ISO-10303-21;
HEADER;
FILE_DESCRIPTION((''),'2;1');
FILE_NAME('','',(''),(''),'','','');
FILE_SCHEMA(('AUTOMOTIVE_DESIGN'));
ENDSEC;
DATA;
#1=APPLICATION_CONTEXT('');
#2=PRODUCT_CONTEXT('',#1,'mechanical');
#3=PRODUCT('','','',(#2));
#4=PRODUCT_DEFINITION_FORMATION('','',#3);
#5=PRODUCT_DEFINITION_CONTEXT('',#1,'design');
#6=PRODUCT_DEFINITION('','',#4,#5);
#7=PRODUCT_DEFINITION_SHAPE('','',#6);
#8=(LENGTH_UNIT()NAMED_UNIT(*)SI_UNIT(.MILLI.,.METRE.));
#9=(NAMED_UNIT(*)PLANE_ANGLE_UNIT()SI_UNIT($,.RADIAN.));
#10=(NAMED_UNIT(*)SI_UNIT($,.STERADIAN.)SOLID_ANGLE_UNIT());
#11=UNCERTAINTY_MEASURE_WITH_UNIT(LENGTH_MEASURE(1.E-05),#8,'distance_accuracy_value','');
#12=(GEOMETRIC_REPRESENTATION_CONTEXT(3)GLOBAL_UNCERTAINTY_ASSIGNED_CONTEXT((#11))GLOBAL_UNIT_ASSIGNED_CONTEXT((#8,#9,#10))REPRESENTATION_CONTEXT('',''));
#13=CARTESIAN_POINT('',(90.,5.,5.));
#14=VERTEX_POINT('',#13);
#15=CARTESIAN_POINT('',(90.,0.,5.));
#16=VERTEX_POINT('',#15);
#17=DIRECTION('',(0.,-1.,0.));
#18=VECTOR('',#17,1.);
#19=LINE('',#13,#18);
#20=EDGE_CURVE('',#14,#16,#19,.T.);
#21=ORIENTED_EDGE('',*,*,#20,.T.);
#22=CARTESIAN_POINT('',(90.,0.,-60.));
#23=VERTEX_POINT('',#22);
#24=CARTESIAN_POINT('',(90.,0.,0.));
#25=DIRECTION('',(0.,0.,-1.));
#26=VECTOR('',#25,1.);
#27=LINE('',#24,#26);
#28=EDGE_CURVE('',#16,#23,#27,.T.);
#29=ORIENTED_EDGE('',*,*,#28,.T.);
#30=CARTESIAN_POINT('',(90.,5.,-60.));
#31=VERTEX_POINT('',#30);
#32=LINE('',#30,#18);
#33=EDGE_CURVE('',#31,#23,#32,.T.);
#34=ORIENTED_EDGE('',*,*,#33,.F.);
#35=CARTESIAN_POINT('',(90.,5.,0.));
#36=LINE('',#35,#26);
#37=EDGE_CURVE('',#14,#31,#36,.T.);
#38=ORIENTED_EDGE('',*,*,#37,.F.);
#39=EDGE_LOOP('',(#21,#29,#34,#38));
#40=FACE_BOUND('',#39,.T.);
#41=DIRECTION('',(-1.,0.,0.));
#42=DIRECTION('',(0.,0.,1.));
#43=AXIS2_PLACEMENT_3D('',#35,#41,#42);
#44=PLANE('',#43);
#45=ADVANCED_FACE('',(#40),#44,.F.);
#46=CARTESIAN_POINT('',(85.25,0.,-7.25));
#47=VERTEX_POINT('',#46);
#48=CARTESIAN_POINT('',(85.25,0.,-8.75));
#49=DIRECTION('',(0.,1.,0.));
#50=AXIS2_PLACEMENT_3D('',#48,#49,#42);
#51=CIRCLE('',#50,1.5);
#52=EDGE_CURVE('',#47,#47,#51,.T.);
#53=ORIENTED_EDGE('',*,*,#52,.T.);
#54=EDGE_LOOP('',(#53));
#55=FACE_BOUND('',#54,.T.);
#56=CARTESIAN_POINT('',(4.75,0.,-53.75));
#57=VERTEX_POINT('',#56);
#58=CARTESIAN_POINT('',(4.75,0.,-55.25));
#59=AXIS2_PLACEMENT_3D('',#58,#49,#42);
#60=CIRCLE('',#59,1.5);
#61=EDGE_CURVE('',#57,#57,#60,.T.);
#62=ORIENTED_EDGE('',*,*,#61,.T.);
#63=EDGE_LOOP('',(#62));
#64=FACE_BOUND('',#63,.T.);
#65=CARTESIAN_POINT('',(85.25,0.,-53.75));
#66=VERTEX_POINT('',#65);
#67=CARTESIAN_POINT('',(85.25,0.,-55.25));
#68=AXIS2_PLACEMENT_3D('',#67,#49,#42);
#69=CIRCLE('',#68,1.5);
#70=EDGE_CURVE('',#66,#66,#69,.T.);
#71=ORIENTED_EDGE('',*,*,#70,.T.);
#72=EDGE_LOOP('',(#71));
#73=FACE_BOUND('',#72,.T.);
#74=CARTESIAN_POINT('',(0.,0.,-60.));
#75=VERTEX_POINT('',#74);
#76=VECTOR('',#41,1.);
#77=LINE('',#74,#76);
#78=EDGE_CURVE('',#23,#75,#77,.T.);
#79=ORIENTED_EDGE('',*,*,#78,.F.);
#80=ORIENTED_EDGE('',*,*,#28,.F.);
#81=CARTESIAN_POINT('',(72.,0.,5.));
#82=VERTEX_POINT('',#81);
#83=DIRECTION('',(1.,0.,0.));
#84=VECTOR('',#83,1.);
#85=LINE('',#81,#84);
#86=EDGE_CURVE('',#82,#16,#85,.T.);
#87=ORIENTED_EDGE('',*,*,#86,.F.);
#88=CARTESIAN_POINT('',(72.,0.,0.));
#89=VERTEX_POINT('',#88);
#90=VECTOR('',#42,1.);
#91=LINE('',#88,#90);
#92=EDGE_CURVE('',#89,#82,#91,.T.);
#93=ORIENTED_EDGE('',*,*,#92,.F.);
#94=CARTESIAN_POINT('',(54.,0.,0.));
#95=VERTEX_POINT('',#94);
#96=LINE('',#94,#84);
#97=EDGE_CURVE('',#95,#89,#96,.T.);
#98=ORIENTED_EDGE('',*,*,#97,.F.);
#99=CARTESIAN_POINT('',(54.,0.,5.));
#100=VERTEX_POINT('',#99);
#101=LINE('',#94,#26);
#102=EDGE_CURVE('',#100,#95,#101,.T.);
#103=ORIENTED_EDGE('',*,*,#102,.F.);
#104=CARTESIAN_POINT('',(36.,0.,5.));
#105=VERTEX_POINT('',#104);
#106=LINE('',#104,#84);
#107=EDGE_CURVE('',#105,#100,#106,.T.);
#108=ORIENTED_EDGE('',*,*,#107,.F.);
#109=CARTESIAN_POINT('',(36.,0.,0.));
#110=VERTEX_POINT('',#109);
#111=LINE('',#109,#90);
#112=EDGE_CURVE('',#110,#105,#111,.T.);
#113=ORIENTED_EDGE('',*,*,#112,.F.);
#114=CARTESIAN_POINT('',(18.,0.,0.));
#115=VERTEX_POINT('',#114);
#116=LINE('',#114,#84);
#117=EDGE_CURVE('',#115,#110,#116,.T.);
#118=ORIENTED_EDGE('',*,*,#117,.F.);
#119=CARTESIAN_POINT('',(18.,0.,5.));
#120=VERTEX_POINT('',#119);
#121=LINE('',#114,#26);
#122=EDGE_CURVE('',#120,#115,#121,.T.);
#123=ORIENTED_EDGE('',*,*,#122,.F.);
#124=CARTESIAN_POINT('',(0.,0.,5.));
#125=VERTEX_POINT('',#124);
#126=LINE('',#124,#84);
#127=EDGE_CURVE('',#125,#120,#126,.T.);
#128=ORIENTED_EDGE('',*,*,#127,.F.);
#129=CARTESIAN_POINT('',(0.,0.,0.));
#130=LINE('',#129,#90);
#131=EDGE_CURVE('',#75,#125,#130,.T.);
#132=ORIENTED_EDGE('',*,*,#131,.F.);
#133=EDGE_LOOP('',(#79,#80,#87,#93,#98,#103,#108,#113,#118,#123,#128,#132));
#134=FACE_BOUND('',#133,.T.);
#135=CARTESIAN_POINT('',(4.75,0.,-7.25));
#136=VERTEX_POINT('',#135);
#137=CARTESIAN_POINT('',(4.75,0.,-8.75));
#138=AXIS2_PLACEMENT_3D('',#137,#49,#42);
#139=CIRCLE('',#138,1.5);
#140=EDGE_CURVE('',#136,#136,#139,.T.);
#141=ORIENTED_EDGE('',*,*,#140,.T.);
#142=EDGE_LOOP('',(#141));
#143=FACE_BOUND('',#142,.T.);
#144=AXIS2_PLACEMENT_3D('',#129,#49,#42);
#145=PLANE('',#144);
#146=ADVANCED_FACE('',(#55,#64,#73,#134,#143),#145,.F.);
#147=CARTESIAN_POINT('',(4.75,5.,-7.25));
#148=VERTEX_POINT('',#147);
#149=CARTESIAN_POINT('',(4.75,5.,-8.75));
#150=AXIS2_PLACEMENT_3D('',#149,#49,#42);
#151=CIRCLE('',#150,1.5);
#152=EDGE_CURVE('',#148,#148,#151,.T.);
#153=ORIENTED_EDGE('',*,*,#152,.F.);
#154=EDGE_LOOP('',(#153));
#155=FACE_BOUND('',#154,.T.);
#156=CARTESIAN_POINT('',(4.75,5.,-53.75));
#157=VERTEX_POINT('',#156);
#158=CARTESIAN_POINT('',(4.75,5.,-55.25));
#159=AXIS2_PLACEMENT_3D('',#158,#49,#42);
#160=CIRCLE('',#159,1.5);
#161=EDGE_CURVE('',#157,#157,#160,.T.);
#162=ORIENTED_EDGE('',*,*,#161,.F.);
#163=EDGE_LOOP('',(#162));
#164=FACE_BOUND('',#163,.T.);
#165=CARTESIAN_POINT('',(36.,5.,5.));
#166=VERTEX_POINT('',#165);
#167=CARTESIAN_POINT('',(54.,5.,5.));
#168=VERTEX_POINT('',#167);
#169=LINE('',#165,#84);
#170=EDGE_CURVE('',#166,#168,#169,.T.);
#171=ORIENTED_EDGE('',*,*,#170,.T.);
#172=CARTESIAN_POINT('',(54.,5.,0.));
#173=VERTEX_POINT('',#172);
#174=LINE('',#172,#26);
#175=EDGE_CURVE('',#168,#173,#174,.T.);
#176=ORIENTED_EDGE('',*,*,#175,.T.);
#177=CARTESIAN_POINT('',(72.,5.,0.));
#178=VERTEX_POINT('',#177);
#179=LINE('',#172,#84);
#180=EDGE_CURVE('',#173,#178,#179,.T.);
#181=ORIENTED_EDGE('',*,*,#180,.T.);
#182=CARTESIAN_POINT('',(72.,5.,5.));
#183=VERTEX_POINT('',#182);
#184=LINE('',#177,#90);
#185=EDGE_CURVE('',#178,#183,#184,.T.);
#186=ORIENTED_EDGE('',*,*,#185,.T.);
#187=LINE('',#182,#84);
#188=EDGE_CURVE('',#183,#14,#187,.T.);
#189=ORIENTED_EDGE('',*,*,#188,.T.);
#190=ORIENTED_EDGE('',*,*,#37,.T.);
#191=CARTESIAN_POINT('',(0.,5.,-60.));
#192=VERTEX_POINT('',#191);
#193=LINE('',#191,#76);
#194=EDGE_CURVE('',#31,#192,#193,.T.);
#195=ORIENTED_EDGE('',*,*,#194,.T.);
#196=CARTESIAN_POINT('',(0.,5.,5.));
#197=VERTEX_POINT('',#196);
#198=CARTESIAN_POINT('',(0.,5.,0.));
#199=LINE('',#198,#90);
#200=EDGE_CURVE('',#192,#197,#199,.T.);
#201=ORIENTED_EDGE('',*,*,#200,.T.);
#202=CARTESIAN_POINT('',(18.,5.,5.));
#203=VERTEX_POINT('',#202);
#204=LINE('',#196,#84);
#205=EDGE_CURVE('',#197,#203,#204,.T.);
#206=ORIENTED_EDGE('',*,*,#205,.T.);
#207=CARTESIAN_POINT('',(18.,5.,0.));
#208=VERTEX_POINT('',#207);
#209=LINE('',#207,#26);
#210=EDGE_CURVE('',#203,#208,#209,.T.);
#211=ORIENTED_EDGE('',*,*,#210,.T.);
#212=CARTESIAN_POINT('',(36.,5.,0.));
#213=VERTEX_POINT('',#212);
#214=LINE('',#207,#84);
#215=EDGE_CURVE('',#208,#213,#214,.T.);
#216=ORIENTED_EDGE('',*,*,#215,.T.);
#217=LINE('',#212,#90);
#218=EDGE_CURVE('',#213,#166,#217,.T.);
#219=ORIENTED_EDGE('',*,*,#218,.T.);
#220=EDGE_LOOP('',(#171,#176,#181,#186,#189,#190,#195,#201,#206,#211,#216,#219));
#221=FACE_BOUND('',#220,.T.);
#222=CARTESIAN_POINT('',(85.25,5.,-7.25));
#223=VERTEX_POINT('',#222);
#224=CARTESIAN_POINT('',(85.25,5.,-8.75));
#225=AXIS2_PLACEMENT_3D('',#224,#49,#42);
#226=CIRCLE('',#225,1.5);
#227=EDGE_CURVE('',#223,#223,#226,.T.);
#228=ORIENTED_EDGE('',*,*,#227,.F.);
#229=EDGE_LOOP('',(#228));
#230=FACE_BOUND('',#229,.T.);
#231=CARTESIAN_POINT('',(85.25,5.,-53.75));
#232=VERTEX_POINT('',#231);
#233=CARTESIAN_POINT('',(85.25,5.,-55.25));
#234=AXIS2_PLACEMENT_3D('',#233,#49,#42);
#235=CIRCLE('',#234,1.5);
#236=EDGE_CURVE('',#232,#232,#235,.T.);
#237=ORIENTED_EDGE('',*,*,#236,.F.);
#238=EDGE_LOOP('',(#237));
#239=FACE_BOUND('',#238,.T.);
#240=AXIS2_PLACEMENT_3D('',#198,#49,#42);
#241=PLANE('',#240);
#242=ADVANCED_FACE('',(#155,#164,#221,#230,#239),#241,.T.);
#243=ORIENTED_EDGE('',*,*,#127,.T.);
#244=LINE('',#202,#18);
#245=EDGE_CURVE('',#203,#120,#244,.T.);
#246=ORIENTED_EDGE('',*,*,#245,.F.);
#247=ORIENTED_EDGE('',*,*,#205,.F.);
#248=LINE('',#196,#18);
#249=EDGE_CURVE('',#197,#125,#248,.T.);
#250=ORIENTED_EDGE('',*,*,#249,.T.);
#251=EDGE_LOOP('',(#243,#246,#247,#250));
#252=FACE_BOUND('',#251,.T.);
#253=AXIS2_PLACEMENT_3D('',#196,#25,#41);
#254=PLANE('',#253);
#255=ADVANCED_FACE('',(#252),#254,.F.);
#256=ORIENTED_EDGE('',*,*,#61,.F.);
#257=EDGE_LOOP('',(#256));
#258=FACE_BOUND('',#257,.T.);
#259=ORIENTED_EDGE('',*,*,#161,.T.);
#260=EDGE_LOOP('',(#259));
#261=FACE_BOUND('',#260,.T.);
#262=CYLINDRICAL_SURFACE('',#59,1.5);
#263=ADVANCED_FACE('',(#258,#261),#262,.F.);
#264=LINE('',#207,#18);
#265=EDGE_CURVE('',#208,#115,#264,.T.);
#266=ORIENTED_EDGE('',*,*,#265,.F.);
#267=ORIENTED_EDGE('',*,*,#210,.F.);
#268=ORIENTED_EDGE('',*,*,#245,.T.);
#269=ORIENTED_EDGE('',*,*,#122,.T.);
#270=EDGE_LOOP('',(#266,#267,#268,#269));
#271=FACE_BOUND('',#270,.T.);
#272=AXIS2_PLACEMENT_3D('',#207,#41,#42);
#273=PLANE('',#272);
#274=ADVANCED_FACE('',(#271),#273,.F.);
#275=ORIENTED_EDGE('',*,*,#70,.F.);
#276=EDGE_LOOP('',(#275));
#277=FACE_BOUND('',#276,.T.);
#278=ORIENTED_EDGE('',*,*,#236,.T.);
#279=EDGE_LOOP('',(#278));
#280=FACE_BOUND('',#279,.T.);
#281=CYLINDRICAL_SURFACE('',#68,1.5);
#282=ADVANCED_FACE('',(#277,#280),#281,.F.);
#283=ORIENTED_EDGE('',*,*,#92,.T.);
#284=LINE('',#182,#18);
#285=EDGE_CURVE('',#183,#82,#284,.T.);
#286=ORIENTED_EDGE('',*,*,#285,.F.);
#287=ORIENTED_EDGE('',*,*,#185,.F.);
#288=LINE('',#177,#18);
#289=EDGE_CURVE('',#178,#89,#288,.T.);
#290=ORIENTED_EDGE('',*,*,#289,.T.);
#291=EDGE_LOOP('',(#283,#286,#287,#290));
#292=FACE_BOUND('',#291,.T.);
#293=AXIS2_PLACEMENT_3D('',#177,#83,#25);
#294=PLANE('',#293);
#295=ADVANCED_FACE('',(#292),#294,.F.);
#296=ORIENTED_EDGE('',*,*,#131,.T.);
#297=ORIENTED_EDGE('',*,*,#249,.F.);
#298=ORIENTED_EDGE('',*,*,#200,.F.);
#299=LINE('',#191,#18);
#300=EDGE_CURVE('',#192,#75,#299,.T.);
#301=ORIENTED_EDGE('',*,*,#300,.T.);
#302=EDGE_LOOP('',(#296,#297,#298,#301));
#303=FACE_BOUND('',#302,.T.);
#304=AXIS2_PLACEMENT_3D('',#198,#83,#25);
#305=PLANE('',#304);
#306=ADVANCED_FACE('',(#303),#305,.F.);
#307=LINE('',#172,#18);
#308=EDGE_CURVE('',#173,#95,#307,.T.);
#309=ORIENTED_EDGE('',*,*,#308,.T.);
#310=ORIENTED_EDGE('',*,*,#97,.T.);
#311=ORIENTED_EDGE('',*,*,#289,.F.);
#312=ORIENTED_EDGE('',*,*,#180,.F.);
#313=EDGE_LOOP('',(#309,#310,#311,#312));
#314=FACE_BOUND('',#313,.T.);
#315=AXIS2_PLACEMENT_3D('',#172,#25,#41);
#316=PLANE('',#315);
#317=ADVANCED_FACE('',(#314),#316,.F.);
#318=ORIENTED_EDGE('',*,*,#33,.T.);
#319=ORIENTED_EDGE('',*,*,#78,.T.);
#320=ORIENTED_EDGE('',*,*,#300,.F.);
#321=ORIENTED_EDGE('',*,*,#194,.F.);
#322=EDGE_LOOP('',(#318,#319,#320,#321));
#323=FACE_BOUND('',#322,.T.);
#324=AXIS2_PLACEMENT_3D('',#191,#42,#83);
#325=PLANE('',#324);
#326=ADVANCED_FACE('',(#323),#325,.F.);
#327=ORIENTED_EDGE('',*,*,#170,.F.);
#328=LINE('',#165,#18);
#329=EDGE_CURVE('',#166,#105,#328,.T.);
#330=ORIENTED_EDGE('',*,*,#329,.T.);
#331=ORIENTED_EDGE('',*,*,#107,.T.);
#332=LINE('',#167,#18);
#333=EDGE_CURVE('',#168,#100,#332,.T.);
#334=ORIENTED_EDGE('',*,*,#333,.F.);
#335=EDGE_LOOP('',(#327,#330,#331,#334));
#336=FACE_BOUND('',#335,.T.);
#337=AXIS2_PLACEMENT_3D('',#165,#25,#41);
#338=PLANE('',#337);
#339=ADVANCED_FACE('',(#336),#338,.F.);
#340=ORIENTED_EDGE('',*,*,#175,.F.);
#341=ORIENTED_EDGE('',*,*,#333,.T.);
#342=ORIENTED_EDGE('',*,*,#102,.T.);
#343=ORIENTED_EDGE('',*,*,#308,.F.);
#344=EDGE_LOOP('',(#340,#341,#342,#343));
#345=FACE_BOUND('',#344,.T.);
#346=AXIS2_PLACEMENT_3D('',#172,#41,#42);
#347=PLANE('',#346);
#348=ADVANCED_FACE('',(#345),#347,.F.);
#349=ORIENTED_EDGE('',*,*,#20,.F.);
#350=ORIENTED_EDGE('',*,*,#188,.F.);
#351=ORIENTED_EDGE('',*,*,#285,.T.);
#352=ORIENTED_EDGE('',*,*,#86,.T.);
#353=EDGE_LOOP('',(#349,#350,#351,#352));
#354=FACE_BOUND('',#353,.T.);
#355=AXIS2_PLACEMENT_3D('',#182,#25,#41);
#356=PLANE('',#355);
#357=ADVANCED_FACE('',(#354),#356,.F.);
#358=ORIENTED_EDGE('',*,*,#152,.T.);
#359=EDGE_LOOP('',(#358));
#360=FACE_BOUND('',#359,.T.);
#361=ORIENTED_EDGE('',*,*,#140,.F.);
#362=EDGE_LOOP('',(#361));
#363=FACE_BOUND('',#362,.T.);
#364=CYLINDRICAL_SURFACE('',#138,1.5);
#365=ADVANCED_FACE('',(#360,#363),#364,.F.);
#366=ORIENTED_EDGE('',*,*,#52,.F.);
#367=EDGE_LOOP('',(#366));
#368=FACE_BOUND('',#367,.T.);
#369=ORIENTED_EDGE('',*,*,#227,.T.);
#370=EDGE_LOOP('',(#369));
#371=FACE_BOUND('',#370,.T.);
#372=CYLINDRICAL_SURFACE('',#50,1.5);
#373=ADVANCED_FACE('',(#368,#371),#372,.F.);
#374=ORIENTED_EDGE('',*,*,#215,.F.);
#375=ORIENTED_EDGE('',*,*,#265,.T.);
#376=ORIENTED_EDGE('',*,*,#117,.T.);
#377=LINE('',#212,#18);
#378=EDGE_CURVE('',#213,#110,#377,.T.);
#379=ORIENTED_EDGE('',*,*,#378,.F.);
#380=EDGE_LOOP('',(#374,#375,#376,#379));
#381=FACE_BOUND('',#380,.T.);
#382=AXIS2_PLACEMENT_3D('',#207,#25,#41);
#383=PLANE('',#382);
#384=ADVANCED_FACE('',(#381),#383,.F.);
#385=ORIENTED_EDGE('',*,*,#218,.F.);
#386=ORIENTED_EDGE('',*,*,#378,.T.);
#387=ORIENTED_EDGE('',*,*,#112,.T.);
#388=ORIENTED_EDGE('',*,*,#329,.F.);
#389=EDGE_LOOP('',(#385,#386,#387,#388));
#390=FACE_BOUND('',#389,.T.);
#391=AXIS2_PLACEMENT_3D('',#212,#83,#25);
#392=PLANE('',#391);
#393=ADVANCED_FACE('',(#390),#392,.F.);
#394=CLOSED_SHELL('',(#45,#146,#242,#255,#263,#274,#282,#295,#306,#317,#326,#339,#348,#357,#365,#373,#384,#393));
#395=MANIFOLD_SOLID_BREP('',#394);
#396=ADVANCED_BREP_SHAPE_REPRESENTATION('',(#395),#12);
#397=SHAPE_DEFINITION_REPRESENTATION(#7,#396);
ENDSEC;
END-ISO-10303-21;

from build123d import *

# Parameters (mm, degrees)
BOSS_EXTRUDE1_DEPTH = 5
SKETCH2_R           = 1.5
CUT_EXTRUDE1_DEPTH  = 5


with BuildPart() as part:
    # Sketch1 → Boss-Extrude1 (new body)
    with BuildSketch(Plane(origin=(0, 0, 0), x_dir=(1, 0, 0), z_dir=(0, 1, 0))):
        Polygon((54, 0), (72, 0), (72, -5), (90, -5), (90, 0), (90, 60), (0, 60), (0, 0), (0, -5), (18, -5), (18, 0), (36, 0), (36, -5), (54, -5), align=None)
    extrude(amount=BOSS_EXTRUDE1_DEPTH)

    # Sketch2 → Cut-Extrude1 (cut)
    with BuildSketch(Plane(origin=(0, 5, 0), x_dir=(1, 0, 0), z_dir=(0, 1, 0))):
        with Locations(Location((4.75, 55.25, 0), (0, 0, 270))):
            Circle(SKETCH2_R)
        with Locations(Location((85.25, 55.25, 0), (0, 0, 270))):
            Circle(SKETCH2_R)
        with Locations(Location((85.25, 8.75, 0), (0, 0, 270))):
            Circle(SKETCH2_R)
        with Locations(Location((4.75, 8.75, 0), (0, 0, 270))):
            Circle(SKETCH2_R)
    extrude(amount=-CUT_EXTRUDE1_DEPTH, mode=Mode.SUBTRACT)


solid = part.part
